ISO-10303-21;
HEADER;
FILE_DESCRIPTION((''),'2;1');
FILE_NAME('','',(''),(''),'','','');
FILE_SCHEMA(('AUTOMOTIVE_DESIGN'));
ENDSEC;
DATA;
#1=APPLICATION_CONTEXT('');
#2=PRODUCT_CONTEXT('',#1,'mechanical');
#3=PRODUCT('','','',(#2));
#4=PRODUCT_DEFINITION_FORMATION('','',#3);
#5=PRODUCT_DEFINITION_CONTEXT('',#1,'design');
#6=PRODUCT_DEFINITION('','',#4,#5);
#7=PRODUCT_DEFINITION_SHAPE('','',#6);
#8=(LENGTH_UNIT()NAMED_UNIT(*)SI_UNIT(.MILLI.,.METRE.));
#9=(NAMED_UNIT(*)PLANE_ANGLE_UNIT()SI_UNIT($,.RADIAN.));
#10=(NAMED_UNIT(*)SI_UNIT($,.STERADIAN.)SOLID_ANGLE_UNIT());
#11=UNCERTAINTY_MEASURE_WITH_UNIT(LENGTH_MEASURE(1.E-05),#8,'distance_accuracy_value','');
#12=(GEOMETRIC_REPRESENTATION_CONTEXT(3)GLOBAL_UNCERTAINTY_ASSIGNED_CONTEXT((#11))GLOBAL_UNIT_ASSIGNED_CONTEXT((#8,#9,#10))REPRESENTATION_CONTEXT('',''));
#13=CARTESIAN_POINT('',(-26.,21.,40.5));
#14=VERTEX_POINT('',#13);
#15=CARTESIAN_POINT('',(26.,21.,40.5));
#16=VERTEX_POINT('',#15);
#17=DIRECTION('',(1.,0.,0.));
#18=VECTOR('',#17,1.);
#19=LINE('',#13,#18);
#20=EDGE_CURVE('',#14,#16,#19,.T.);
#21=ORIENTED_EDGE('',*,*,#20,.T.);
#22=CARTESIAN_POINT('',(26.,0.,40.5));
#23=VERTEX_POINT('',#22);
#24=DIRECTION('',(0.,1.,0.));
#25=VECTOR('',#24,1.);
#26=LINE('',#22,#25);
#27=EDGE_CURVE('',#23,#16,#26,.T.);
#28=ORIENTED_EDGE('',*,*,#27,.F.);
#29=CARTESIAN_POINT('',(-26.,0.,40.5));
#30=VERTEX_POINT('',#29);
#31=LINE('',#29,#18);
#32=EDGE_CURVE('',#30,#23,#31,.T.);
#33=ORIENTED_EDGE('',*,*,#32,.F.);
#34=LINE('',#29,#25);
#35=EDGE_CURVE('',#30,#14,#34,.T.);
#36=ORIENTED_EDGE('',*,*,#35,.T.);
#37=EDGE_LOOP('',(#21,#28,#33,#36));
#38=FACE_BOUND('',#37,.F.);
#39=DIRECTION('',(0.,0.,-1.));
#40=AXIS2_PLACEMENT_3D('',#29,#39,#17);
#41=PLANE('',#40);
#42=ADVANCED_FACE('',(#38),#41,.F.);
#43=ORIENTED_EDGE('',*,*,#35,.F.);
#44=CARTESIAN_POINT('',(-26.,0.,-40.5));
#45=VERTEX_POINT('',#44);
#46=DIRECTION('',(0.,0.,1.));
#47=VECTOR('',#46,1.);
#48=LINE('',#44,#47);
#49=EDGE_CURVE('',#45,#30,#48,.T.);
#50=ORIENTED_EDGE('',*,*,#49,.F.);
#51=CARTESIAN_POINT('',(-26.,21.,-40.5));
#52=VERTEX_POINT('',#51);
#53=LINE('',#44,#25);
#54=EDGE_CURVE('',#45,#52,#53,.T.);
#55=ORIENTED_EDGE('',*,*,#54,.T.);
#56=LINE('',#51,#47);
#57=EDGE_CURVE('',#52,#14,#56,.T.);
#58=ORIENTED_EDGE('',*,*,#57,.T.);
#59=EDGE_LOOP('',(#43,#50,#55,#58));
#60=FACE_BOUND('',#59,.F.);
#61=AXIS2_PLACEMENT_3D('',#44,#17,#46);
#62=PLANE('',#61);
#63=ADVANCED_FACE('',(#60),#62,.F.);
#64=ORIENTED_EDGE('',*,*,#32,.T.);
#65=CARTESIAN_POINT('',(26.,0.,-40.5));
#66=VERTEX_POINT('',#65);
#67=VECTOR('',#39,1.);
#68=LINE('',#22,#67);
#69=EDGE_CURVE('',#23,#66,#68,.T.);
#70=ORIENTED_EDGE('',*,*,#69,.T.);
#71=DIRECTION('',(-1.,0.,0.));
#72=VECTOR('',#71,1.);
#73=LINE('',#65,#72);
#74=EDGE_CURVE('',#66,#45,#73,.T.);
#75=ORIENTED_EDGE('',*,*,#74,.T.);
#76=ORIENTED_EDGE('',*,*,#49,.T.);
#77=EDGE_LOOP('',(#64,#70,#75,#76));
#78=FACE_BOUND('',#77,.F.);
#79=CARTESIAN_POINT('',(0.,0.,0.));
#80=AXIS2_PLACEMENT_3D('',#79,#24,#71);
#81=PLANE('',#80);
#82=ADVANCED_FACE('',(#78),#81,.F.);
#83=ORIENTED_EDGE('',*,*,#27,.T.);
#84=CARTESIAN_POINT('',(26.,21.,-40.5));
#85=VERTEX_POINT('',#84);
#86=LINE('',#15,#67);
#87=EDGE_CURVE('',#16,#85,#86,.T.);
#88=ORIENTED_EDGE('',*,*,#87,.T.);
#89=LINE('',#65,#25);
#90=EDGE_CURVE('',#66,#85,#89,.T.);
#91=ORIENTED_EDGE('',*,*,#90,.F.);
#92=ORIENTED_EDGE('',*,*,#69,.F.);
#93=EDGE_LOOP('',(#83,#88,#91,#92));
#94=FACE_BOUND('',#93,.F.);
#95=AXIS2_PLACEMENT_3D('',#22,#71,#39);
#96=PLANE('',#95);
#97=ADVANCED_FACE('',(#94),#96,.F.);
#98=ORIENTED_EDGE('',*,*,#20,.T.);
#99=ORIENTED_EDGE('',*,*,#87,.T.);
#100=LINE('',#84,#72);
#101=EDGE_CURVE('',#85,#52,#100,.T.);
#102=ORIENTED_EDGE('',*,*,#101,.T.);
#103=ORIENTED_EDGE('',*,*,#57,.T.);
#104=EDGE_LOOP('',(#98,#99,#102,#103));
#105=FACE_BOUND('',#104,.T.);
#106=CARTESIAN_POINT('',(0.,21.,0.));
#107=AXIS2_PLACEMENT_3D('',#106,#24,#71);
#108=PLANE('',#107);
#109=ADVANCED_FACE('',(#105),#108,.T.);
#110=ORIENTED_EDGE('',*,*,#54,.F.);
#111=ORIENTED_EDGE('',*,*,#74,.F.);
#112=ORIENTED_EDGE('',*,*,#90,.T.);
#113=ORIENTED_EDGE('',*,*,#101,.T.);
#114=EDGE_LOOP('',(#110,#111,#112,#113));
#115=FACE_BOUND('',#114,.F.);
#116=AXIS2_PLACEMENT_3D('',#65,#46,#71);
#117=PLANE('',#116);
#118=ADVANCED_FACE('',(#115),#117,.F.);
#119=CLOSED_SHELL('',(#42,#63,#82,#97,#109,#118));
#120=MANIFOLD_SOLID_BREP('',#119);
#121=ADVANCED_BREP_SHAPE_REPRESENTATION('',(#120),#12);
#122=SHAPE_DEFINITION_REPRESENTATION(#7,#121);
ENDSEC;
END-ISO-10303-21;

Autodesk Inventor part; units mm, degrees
ref_plane "YZ Plane" through (0, 0, 0) normal (1, 0, 0) x (0, 1, 0)
ref_plane "XZ Plane" through (0, 0, 0) normal (0, 1, 0) x (-1, 0, 0)
ref_plane "XY Plane" through (0, 0, 0) normal (0, 0, 1) x (1, 0, 0)
sketch "Эскиз1" plane through (0, 0, 0) normal (0, 1, 0) x (-1, 0, 0)
  line L0 (26, 40.5) -> (-26, 40.5)
  line L1 (-26, 40.5) -> (-26, -40.5)
  line L2 (-26, -40.5) -> (26, -40.5)
  line L3 (26, -40.5) -> (26, 40.5)
  line L4 (26, 40.5) -> (-26, -40.5) construction
  point P0 (0, 0)
  point P1 (0, 0)
  dimension "d0" = 52
  dimension "d1" = 81
extrude "Выдавливание1" add sketch "Эскиз1" along normal blind 21
sketch "Эскиз2" plane through (0, 21, 0) normal (0, 1, 0) x (1, 0, 0)
  line L0 (-26, 40.5) -> (-26, -40.5) projected
  line L1 (-26, -40.5) -> (-26, 40.5) construction
  line L2 (-26, 40.5) -> (24.7494, 40.5) construction
  line L3 (24.7494, 40.5) -> (24.7494, -40.5) construction
  line L4 (24.7494, -40.5) -> (-26, -40.5) construction
  point P0 (0, 0)
properties part number "SN-A1401220"
